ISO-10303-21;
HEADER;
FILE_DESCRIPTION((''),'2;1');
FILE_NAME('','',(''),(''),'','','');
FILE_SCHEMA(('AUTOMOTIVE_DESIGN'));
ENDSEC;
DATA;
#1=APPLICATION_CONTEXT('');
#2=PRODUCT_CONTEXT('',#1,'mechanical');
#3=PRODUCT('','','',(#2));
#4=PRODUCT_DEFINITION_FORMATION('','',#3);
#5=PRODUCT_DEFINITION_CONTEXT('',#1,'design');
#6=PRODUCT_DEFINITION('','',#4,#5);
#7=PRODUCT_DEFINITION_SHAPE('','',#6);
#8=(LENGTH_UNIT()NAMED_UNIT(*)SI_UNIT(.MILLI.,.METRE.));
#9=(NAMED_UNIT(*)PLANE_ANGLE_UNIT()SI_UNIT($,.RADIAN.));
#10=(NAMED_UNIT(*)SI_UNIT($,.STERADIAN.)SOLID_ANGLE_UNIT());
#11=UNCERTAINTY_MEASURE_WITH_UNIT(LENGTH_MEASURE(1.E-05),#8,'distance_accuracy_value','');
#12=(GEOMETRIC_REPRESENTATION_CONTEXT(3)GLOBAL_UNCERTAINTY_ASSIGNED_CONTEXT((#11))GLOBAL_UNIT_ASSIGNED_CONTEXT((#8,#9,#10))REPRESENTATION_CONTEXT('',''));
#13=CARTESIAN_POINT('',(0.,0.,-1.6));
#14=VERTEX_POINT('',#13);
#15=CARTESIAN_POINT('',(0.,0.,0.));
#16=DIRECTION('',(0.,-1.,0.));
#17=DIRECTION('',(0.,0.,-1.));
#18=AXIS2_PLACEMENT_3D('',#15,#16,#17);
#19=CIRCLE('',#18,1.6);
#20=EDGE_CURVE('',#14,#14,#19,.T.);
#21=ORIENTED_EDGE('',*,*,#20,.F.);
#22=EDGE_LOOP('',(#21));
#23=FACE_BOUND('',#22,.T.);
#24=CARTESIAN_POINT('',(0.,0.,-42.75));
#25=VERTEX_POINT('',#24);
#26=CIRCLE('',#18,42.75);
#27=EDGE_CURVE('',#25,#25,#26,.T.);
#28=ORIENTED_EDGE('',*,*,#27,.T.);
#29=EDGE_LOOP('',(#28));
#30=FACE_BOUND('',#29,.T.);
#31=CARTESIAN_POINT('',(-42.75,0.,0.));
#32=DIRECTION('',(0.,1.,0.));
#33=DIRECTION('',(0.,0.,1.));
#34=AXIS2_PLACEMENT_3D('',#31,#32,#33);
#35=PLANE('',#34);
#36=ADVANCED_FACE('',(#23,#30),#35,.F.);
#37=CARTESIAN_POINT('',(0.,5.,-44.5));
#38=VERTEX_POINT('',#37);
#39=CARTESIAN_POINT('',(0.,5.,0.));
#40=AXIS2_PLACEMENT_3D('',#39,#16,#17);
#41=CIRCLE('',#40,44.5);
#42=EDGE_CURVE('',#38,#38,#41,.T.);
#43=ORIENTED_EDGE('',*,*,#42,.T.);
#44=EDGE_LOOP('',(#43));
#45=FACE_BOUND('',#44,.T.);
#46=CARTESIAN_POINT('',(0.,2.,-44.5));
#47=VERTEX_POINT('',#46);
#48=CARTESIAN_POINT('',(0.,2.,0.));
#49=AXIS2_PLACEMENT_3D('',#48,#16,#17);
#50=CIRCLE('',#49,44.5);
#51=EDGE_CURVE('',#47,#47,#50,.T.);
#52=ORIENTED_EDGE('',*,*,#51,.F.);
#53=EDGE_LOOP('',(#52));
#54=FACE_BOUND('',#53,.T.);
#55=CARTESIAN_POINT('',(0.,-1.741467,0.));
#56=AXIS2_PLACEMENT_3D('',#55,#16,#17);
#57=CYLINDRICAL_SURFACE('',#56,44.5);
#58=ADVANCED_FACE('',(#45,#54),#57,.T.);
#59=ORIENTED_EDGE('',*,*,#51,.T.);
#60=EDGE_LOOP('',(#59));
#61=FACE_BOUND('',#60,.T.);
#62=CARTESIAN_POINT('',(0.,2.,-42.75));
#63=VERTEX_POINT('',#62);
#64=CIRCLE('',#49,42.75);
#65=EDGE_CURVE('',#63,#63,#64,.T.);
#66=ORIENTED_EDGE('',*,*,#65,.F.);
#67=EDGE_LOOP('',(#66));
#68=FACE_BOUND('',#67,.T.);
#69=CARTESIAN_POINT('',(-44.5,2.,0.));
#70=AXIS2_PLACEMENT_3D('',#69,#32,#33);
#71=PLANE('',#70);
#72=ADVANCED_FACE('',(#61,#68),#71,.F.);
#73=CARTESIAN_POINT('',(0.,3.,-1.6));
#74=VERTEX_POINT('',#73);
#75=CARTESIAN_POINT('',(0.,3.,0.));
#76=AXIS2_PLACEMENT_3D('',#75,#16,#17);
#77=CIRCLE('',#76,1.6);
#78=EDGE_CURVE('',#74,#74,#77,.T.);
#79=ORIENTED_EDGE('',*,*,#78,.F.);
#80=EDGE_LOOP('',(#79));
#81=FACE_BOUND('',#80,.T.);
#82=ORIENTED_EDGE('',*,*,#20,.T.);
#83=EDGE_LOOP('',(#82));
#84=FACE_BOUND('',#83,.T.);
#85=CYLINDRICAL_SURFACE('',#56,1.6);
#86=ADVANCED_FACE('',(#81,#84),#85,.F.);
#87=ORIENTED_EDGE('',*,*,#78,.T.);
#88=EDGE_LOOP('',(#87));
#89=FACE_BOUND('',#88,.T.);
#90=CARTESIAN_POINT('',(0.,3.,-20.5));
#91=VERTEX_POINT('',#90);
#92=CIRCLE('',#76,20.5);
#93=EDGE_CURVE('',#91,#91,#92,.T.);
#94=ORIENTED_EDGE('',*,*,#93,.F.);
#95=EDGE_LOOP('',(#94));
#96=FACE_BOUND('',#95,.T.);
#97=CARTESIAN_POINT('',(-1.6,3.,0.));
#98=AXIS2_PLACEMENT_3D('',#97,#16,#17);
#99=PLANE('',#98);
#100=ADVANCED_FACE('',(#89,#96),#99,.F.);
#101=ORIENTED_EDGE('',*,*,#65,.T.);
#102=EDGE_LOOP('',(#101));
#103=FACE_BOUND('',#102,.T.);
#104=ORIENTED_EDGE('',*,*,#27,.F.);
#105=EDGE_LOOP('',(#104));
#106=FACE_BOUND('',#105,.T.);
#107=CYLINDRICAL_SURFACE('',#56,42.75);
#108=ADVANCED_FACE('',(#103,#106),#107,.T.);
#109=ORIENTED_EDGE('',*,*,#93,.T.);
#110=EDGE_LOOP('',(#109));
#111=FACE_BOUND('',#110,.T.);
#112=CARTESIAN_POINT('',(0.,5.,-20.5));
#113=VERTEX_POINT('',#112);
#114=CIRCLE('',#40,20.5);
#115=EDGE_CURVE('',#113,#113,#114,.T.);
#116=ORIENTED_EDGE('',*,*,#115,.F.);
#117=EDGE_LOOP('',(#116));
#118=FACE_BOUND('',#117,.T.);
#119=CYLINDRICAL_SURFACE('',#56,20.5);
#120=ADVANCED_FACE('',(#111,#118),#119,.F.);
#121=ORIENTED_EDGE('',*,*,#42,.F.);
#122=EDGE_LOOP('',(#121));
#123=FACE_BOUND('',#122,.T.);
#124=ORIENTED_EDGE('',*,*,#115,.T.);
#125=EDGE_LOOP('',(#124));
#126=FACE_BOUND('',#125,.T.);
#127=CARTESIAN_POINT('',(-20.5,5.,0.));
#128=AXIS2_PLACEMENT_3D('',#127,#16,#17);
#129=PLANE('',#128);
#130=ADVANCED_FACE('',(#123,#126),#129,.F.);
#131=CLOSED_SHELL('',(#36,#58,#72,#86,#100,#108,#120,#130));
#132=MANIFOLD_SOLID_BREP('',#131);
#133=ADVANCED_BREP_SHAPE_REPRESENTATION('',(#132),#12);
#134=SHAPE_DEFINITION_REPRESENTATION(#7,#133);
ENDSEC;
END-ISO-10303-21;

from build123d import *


with BuildPart() as part:
    # Skizze2 → Rotation1 (revolve)
    with BuildSketch(Plane.XY):
        Polygon((-1.6, 0), (-1.6, 3), (-20.5, 3), (-20.5, 5), (-44.5, 5), (-44.5, 2), (-42.75, 2), (-42.75, 0), align=None)
    revolve(axis=Axis((0, -1.741466568, 0), (0, 1, 0)))


solid = part.part
